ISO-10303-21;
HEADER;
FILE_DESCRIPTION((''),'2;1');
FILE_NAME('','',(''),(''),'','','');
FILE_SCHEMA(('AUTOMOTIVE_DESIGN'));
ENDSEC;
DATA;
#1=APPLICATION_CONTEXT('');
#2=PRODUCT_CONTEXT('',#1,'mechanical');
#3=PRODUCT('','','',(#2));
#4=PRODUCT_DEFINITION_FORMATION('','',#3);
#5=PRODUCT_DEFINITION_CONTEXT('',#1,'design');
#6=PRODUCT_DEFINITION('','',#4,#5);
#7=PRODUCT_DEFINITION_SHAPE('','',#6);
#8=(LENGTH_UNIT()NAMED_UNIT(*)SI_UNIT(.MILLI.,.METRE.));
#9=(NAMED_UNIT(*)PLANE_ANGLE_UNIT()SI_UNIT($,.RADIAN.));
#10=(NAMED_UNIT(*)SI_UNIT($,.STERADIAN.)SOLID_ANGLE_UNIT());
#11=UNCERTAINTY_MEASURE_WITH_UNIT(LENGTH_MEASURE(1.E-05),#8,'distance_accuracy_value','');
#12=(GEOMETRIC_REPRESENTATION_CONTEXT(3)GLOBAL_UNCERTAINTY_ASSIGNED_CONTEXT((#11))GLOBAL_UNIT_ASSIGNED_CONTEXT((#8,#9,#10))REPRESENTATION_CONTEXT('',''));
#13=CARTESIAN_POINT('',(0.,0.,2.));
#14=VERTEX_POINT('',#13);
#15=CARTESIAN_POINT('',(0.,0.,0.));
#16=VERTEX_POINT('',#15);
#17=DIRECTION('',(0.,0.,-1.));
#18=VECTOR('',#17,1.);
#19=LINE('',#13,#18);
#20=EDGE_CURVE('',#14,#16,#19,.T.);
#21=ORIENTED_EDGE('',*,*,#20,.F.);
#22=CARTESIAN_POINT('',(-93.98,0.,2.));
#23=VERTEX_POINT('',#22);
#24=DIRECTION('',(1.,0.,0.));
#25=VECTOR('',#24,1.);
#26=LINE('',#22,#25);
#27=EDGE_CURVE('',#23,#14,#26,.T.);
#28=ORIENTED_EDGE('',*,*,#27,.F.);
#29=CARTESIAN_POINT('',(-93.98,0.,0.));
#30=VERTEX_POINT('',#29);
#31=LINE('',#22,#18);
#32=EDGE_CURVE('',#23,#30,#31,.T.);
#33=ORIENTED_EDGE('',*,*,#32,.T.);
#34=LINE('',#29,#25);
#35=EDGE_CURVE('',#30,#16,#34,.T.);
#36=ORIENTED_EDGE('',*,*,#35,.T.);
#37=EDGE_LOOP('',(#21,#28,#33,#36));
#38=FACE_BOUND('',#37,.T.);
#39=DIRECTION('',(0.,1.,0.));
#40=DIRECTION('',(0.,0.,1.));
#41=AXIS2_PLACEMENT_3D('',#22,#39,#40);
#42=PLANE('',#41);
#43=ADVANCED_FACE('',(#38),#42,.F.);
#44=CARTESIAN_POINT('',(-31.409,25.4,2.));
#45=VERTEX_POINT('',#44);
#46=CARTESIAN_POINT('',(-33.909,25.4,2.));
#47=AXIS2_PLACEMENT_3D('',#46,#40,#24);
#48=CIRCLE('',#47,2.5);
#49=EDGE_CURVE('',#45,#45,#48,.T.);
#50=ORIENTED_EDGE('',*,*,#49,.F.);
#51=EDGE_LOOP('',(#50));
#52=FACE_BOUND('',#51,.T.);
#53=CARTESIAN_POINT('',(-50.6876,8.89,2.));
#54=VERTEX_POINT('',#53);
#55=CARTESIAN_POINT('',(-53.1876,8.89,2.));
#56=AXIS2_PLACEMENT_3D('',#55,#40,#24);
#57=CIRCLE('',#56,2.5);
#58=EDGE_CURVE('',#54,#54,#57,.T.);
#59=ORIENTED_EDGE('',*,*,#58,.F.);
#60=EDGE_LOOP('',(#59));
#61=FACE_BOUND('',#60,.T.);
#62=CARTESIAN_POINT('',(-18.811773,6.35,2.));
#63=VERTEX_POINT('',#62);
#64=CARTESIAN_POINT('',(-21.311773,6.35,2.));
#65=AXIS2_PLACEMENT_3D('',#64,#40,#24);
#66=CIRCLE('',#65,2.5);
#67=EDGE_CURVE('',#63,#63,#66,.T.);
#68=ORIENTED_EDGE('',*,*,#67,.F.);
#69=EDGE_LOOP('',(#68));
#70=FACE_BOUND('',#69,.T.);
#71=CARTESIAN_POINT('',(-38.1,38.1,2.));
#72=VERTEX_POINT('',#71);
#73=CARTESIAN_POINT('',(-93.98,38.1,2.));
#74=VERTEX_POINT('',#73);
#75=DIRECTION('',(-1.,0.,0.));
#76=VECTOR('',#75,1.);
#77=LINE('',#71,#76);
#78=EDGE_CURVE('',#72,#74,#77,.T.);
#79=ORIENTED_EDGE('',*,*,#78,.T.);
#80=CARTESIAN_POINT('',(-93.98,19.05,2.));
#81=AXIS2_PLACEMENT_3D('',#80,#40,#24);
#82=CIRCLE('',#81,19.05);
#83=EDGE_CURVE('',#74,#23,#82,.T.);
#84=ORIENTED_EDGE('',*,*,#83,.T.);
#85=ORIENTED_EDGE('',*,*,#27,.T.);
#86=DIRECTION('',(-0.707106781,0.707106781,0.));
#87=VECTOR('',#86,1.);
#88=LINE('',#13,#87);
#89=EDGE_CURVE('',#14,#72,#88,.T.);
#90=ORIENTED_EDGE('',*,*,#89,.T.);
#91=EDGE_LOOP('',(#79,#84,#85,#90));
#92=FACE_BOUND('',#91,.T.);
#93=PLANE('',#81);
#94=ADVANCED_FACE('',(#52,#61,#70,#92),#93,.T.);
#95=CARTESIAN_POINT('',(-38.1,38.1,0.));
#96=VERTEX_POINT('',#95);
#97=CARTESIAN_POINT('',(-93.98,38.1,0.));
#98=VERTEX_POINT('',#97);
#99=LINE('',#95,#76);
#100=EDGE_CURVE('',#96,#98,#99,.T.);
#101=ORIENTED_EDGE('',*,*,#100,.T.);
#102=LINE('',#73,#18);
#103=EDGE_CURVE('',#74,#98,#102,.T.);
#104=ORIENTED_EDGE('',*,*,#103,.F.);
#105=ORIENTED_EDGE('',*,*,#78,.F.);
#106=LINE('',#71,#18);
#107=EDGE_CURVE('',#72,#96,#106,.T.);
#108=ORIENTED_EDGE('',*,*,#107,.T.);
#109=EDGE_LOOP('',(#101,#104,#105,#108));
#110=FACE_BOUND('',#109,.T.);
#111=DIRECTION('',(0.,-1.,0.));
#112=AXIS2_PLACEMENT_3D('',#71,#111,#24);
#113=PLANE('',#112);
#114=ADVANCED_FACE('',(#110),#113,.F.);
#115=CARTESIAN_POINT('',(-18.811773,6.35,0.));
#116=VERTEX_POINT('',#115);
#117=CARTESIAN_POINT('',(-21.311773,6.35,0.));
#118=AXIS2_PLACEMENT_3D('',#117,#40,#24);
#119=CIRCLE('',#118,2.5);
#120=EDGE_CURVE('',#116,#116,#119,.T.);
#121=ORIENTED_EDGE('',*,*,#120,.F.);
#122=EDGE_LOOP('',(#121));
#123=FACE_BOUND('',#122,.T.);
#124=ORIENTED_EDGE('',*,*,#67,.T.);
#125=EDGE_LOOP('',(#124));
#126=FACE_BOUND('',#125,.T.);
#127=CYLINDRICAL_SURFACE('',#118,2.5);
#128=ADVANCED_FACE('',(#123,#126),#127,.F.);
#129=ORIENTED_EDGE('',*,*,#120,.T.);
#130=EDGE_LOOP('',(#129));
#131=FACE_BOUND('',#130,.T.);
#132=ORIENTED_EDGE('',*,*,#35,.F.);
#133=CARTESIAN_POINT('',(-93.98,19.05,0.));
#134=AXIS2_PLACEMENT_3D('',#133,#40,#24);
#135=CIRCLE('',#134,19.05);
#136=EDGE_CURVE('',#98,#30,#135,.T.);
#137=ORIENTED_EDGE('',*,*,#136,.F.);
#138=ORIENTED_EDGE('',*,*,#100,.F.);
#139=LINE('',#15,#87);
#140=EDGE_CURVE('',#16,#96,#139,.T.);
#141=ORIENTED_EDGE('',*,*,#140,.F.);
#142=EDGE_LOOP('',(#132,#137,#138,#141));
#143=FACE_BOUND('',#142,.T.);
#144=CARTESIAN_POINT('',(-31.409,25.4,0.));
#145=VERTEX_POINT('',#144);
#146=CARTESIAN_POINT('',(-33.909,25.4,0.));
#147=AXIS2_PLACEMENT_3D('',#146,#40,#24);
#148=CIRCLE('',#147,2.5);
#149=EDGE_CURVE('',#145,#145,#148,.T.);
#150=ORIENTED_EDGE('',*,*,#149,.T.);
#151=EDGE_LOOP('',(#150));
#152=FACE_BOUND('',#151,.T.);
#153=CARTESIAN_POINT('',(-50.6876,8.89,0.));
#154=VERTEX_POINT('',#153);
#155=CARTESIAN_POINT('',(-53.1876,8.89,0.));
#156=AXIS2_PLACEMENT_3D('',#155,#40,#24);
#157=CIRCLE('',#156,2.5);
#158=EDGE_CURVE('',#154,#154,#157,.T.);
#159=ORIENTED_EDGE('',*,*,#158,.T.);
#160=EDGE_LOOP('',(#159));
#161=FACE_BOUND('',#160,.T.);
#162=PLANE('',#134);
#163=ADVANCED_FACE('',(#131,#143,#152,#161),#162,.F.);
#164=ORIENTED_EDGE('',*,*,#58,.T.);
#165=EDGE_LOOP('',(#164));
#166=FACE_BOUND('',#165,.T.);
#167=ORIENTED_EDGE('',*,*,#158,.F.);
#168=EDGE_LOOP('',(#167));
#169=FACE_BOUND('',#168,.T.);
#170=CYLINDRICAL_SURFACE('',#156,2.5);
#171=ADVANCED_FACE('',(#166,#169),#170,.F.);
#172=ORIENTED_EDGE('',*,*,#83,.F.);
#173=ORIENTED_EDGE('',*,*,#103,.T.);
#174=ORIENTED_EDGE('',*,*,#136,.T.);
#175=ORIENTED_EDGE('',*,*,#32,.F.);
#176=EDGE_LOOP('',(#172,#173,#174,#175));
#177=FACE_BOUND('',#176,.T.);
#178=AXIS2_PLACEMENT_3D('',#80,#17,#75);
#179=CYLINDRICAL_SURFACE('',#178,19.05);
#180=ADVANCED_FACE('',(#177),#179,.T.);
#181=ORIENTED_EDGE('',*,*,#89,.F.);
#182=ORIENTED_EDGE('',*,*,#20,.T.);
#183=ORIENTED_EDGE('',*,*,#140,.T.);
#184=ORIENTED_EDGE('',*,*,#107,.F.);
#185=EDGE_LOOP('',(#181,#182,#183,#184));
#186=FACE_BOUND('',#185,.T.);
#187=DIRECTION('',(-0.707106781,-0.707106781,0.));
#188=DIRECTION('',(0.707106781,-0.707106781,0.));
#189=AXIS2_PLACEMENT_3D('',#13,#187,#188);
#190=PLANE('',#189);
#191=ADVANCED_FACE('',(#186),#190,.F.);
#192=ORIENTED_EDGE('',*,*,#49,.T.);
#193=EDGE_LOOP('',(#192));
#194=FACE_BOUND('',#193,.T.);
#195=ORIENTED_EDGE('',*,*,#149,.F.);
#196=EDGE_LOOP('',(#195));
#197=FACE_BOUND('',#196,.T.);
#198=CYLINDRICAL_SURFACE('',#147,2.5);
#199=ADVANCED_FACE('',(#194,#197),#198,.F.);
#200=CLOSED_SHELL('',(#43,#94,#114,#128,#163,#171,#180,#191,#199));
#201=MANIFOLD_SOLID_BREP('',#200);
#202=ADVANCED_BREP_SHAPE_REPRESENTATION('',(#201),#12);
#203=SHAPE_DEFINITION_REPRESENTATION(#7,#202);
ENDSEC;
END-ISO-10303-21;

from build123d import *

# Parameters (mm, degrees)
BOSS_EXTRUDE1_DEPTH     = 2
CUT_EXTRUDE1_DEPTH      = 120.295393457
CUT_EXTRUDE1_DEPTH_BACK = 120.295393457
SKETCH2_R               = 2.5


with BuildPart() as part:
    # Sketch1 → Boss-Extrude1 (new body)
    with BuildSketch(Plane.XY):
        with BuildLine():
            Line((0, 0), (-38.1, 38.1))
            Line((-38.1, 38.1), (-93.98, 38.1))
            ThreePointArc((-93.98, 38.1), (-113.03, 19.05), (-93.98, 0))
            Line((-93.98, 0), (0, 0))
        make_face()
    extrude(amount=BOSS_EXTRUDE1_DEPTH)

    # Sketch2 → Cut-Extrude1 (cut, two sides: drawn at the far end of the back side and taken through both)
    with BuildSketch(Plane.XY.offset(2).offset(-CUT_EXTRUDE1_DEPTH_BACK)):
        with Locations((-53.1876, 8.89)):
            Circle(SKETCH2_R)
        with Locations((-21.311773075, 6.35)):
            Circle(SKETCH2_R)
        with Locations((-33.909, 25.4)):
            Circle(SKETCH2_R)
    extrude(amount=CUT_EXTRUDE1_DEPTH + CUT_EXTRUDE1_DEPTH_BACK, mode=Mode.SUBTRACT)


solid = part.part
